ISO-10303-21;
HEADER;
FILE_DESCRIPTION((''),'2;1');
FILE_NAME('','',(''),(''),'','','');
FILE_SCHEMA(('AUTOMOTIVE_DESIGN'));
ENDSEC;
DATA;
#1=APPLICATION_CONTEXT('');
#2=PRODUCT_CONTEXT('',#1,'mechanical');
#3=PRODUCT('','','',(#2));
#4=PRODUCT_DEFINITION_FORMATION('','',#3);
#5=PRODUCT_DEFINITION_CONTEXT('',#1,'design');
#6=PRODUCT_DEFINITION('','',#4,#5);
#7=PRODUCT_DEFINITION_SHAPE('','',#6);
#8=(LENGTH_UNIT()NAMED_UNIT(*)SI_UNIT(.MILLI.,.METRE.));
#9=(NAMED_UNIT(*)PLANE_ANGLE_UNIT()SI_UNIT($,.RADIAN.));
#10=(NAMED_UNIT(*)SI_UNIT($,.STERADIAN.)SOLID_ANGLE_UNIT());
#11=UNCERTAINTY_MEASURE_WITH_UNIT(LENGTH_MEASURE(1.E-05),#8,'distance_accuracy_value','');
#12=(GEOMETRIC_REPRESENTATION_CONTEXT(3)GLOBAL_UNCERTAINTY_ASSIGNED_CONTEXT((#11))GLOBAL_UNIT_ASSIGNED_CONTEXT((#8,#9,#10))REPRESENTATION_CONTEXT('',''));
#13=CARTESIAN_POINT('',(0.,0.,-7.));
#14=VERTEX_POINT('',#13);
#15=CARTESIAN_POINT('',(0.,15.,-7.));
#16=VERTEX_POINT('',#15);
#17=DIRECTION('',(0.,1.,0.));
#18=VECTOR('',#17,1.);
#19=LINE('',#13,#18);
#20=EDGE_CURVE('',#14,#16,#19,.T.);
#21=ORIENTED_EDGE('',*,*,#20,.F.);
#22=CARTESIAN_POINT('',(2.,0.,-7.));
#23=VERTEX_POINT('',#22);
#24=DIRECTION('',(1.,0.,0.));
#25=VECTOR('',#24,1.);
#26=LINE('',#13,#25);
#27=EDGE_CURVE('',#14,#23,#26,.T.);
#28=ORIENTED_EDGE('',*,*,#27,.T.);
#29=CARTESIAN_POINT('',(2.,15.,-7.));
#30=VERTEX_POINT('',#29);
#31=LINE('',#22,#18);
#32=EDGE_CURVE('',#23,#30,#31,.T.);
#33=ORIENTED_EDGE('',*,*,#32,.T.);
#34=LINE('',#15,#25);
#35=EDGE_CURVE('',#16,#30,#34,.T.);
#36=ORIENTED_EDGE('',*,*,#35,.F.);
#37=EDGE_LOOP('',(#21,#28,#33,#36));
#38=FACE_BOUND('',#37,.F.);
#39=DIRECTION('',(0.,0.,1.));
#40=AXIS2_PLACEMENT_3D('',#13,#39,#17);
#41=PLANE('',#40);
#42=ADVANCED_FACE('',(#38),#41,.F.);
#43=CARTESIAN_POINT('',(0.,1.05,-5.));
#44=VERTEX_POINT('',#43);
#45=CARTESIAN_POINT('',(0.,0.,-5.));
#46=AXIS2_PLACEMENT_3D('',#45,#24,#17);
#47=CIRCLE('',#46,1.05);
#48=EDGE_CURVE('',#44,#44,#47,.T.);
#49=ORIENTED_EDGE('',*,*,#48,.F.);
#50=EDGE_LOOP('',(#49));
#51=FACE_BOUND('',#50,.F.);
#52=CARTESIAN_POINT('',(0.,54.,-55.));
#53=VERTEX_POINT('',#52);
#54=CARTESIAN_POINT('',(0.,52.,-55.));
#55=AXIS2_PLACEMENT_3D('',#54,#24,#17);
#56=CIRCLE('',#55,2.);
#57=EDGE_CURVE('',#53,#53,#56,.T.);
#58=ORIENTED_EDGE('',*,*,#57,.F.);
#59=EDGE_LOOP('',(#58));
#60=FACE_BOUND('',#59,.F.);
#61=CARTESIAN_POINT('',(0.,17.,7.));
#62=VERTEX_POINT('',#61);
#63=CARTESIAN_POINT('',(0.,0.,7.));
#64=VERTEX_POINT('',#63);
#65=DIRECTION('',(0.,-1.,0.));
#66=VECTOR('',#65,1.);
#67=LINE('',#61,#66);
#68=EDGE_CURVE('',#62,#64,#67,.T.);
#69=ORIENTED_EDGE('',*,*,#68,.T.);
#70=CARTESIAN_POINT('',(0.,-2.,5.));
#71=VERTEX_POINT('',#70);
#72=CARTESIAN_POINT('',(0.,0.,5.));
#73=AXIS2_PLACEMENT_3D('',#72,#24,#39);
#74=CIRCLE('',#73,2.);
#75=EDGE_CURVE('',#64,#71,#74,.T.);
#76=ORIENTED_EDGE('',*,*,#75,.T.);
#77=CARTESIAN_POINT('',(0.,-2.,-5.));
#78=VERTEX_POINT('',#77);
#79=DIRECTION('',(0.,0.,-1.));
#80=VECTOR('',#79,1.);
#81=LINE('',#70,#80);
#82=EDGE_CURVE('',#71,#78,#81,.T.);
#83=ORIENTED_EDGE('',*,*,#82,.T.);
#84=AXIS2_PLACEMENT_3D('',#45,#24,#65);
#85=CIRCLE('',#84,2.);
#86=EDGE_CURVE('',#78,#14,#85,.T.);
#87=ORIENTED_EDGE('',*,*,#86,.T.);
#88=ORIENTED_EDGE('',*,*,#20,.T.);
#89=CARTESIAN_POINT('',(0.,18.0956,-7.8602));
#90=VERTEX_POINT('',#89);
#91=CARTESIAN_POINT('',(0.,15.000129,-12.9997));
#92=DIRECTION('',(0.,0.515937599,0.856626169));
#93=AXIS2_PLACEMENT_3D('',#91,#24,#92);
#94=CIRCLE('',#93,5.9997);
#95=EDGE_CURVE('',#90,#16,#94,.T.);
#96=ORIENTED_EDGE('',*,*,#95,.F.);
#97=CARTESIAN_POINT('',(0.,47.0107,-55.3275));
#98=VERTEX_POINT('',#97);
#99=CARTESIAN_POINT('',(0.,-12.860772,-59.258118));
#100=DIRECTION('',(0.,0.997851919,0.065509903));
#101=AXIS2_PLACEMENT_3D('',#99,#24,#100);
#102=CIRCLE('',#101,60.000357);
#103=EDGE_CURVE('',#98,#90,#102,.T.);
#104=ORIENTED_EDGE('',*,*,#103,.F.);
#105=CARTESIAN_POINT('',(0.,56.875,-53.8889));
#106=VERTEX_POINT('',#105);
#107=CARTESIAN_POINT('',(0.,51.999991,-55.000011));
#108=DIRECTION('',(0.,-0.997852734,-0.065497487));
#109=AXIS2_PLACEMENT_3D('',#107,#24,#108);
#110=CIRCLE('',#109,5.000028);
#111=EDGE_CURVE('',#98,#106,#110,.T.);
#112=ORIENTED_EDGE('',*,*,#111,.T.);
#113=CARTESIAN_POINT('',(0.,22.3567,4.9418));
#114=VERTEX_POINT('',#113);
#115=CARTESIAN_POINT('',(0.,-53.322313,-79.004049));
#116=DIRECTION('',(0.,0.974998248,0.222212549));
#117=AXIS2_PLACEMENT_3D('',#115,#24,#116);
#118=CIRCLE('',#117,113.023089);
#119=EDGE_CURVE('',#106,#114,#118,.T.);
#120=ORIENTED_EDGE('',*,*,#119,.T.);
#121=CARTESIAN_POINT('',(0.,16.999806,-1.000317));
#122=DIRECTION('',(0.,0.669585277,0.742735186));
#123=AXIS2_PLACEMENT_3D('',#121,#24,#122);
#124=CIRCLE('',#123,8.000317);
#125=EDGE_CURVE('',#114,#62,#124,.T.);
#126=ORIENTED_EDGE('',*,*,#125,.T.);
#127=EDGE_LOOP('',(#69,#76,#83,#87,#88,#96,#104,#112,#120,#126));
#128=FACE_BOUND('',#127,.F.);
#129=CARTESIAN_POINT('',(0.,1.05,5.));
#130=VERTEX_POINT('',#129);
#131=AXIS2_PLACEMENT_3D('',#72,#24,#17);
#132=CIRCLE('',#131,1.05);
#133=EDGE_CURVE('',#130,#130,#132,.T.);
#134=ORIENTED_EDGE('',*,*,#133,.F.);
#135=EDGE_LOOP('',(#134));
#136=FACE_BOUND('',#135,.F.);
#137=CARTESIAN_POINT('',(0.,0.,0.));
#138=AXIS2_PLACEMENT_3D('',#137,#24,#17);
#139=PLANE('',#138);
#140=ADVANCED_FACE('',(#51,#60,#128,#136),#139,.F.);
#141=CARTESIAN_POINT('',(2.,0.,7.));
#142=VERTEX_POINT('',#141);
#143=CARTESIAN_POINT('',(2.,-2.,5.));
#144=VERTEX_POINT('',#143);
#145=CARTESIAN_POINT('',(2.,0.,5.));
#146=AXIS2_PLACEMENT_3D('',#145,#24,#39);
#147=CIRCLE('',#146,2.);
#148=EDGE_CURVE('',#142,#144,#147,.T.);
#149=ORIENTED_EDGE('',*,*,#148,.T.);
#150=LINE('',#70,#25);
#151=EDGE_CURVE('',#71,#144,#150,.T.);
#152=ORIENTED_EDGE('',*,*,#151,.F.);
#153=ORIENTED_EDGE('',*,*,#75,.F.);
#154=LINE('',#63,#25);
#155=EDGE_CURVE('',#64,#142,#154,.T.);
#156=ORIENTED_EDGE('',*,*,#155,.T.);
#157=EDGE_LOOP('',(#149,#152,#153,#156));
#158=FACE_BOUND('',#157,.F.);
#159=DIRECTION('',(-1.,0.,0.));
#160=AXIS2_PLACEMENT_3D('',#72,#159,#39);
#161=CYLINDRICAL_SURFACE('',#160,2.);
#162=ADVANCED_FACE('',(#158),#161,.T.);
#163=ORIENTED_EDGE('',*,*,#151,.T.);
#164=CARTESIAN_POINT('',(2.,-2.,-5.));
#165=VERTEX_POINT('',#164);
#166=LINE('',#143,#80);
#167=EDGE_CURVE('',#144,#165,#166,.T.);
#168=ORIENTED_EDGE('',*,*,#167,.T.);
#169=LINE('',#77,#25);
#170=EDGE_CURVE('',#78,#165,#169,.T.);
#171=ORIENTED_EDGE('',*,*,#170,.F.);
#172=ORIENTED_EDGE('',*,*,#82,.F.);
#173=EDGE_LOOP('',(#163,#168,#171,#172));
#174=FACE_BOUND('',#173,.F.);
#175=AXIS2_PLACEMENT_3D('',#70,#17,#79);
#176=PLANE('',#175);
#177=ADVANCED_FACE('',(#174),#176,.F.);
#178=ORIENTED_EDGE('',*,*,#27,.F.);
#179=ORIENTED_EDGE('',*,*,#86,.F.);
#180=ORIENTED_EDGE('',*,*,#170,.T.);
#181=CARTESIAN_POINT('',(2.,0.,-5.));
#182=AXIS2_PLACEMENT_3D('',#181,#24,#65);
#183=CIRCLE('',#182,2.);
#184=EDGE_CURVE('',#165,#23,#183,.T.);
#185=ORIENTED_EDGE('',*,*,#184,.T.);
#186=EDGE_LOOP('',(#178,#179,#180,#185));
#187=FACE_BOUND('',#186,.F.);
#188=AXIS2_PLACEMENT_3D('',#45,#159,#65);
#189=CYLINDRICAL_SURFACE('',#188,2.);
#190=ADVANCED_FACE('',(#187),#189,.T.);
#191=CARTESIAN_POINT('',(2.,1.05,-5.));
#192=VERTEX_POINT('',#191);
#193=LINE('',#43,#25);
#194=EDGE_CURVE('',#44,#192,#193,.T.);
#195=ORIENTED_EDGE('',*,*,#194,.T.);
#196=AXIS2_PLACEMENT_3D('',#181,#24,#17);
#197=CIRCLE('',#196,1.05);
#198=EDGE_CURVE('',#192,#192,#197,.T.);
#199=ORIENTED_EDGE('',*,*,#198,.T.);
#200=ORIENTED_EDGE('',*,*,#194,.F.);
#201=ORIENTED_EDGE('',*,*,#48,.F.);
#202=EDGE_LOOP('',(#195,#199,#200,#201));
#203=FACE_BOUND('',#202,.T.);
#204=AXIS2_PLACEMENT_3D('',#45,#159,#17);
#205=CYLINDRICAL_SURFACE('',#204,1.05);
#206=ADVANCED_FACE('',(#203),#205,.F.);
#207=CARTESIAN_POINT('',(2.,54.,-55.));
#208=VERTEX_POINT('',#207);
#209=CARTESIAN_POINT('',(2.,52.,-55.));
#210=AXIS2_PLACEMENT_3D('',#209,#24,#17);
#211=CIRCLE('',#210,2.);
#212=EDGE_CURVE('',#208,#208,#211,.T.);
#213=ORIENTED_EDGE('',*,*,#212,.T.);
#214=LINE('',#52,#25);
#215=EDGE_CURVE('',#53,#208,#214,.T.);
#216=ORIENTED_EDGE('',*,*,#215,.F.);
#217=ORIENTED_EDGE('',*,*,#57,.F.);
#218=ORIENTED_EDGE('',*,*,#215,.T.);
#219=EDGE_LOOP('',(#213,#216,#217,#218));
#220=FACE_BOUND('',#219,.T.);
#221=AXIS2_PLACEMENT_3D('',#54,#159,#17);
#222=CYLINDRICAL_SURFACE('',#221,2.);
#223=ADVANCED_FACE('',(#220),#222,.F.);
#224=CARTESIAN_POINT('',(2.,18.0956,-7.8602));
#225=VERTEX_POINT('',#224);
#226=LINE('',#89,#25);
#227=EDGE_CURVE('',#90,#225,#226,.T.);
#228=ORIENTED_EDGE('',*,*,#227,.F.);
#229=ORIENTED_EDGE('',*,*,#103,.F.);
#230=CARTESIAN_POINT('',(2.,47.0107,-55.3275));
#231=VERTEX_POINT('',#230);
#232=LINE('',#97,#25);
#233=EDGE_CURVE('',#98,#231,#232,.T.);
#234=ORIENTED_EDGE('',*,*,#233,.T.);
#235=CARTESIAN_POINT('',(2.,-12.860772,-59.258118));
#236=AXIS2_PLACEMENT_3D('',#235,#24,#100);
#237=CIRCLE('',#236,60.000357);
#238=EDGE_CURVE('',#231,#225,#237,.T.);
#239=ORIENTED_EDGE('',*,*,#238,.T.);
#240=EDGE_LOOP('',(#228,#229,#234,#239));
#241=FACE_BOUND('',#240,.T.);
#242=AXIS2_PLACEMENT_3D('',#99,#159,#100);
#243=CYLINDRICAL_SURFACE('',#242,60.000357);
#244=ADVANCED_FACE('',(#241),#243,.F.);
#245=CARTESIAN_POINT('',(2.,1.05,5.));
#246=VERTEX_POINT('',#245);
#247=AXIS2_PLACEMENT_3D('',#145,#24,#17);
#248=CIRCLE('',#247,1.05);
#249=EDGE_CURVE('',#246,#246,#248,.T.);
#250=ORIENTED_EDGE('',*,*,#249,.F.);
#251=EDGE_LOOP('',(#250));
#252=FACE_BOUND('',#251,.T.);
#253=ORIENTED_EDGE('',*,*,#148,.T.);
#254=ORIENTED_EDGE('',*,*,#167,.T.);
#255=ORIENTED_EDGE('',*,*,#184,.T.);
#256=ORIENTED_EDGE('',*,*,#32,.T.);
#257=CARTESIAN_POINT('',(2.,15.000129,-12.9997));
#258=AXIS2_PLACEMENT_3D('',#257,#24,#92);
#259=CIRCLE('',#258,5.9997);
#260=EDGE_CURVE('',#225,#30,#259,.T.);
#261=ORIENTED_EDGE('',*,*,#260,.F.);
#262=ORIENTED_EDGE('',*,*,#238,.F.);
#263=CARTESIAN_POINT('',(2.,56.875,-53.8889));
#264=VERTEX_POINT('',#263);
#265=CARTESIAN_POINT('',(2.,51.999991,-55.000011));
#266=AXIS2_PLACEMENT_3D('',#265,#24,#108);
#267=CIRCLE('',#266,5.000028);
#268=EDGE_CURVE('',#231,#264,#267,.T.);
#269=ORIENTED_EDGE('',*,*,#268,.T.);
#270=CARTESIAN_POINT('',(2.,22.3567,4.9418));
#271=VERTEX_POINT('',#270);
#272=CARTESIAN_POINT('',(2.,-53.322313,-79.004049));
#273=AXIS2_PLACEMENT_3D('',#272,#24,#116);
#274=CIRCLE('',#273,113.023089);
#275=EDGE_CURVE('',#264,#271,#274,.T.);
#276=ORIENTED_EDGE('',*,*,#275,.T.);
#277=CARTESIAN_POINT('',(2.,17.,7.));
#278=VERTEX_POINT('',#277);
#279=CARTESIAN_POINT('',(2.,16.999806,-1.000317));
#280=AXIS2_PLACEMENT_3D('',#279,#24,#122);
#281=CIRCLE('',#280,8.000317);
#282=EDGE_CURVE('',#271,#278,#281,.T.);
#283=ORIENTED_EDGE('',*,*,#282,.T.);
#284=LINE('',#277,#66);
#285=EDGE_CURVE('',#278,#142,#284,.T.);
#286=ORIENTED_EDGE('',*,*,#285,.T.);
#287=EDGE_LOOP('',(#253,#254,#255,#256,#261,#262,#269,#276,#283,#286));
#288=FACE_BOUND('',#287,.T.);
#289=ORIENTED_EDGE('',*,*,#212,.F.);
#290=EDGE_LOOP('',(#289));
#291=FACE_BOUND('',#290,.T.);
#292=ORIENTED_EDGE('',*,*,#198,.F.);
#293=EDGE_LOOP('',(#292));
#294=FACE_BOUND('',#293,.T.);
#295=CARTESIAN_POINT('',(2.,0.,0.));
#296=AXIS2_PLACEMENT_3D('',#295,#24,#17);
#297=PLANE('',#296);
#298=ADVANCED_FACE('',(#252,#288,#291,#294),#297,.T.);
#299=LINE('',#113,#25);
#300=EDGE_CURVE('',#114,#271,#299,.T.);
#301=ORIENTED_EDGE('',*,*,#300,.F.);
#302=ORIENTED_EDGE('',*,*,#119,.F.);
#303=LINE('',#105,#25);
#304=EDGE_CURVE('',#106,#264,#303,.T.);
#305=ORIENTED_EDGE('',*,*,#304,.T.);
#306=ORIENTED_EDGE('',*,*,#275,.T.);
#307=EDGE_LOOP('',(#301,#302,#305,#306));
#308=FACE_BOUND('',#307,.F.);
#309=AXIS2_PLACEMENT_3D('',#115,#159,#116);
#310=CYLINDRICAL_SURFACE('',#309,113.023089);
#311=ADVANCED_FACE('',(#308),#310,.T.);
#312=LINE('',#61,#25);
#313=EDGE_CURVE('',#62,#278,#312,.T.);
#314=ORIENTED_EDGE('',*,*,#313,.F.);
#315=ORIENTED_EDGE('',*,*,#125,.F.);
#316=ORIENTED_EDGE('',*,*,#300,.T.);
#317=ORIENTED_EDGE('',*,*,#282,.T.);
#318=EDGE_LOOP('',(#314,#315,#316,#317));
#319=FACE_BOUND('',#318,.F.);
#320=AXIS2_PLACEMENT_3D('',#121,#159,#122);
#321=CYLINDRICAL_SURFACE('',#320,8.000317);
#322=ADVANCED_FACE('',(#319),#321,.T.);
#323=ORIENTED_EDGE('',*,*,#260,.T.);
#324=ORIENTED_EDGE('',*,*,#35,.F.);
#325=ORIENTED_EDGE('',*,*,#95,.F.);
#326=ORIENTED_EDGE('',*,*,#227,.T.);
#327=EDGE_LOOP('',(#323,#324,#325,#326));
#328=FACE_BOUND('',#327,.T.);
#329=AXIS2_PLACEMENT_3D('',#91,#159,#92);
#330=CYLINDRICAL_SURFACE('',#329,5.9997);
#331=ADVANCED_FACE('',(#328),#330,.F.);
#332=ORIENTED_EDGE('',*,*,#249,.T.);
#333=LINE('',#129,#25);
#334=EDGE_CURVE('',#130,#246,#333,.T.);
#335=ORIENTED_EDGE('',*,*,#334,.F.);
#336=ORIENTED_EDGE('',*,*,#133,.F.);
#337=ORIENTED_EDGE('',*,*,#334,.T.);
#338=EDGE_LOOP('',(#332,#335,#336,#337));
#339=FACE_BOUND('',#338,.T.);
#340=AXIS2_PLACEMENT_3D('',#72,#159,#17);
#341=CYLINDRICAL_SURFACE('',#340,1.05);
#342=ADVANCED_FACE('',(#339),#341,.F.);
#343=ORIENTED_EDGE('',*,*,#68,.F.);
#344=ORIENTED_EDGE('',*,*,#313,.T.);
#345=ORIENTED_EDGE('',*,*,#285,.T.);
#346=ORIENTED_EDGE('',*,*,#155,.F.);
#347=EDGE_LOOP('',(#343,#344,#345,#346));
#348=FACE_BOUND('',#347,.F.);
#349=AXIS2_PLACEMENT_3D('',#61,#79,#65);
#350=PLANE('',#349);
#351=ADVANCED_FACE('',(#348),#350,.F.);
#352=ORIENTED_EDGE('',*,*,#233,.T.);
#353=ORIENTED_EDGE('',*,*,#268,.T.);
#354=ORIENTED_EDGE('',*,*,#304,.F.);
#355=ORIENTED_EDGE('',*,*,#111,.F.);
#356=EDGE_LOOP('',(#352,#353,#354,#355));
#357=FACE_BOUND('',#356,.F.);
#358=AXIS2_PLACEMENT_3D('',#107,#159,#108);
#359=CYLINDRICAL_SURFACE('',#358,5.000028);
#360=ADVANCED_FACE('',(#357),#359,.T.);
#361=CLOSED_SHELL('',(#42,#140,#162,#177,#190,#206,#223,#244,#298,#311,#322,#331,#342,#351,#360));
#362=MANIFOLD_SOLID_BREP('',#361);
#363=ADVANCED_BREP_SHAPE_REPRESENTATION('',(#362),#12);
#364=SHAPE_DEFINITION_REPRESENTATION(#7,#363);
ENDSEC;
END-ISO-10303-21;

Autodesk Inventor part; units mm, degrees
ref_plane "YZ Plane" through (0, 0, 0) normal (1, 0, 0) x (0, 1, 0)
ref_plane "XZ Plane" through (0, 0, 0) normal (0, 1, 0) x (-1, 0, 0)
ref_plane "XY Plane" through (0, 0, 0) normal (0, 0, 1) x (1, 0, 0)
sketch "スケッチ1" plane through (0, 0, 0) normal (1, 0, 0) x (0, 1, 0)
  line L0 (0, 5) -> (0, -5) construction
  circle A0 centre (0, 5) radius 1.05
  circle A1 centre (0, -5) radius 1.05
  line L1 (17, 7) -> (0, 7)
  line L2 (-2, 5) -> (-2, -5)
  line L3 (0, -7) -> (15, -7)
  arc A2 (47.0107, -55.3275) -> (56.875, -53.8889) centre (52, -55) ccw
  arc A3 (56.875, -53.8889) -> (22.3567, 4.9418) centre (-53.3232, -79.0044) ccw
  arc A4 (22.3567, 4.9418) -> (17, 7) centre (17, -1) ccw
  arc A5 (47.0107, -55.3275) -> (18.0956, -7.8602) centre (-12.8604, -59.258) ccw
  arc A6 (18.0956, -7.8602) -> (15, -7) centre (15, -13) ccw
  arc A7 (0, 7) -> (-2, 5) centre (0, 5) ccw
  arc A8 (-2, -5) -> (0, -7) centre (0, -5) ccw
  circle A9 centre (52, -55) radius 2
  arc A10 (55.0761, -62.1956) -> (42.6675, -20.0067) centre (-12.8604, -59.258) ccw construction
  point P0 (0, 0)
  point P1 (0, 0)
  dimension "d0" = 2.1
  dimension "d2" = 2
  dimension "d3" = 4
  dimension "d4" = 5
  dimension "d5" = 15
  dimension "d6" = 6
  dimension "d8" = 8
  dimension "d10" = 55
  dimension "d11" = 8
  dimension "d12" = 60
  dimension "d24" = 2
  dimension "d25" = 14
  dimension "d26" = 35
extrude "押し出し1" add sketch "スケッチ1" along normal blind 2
properties part number "handle_top"
